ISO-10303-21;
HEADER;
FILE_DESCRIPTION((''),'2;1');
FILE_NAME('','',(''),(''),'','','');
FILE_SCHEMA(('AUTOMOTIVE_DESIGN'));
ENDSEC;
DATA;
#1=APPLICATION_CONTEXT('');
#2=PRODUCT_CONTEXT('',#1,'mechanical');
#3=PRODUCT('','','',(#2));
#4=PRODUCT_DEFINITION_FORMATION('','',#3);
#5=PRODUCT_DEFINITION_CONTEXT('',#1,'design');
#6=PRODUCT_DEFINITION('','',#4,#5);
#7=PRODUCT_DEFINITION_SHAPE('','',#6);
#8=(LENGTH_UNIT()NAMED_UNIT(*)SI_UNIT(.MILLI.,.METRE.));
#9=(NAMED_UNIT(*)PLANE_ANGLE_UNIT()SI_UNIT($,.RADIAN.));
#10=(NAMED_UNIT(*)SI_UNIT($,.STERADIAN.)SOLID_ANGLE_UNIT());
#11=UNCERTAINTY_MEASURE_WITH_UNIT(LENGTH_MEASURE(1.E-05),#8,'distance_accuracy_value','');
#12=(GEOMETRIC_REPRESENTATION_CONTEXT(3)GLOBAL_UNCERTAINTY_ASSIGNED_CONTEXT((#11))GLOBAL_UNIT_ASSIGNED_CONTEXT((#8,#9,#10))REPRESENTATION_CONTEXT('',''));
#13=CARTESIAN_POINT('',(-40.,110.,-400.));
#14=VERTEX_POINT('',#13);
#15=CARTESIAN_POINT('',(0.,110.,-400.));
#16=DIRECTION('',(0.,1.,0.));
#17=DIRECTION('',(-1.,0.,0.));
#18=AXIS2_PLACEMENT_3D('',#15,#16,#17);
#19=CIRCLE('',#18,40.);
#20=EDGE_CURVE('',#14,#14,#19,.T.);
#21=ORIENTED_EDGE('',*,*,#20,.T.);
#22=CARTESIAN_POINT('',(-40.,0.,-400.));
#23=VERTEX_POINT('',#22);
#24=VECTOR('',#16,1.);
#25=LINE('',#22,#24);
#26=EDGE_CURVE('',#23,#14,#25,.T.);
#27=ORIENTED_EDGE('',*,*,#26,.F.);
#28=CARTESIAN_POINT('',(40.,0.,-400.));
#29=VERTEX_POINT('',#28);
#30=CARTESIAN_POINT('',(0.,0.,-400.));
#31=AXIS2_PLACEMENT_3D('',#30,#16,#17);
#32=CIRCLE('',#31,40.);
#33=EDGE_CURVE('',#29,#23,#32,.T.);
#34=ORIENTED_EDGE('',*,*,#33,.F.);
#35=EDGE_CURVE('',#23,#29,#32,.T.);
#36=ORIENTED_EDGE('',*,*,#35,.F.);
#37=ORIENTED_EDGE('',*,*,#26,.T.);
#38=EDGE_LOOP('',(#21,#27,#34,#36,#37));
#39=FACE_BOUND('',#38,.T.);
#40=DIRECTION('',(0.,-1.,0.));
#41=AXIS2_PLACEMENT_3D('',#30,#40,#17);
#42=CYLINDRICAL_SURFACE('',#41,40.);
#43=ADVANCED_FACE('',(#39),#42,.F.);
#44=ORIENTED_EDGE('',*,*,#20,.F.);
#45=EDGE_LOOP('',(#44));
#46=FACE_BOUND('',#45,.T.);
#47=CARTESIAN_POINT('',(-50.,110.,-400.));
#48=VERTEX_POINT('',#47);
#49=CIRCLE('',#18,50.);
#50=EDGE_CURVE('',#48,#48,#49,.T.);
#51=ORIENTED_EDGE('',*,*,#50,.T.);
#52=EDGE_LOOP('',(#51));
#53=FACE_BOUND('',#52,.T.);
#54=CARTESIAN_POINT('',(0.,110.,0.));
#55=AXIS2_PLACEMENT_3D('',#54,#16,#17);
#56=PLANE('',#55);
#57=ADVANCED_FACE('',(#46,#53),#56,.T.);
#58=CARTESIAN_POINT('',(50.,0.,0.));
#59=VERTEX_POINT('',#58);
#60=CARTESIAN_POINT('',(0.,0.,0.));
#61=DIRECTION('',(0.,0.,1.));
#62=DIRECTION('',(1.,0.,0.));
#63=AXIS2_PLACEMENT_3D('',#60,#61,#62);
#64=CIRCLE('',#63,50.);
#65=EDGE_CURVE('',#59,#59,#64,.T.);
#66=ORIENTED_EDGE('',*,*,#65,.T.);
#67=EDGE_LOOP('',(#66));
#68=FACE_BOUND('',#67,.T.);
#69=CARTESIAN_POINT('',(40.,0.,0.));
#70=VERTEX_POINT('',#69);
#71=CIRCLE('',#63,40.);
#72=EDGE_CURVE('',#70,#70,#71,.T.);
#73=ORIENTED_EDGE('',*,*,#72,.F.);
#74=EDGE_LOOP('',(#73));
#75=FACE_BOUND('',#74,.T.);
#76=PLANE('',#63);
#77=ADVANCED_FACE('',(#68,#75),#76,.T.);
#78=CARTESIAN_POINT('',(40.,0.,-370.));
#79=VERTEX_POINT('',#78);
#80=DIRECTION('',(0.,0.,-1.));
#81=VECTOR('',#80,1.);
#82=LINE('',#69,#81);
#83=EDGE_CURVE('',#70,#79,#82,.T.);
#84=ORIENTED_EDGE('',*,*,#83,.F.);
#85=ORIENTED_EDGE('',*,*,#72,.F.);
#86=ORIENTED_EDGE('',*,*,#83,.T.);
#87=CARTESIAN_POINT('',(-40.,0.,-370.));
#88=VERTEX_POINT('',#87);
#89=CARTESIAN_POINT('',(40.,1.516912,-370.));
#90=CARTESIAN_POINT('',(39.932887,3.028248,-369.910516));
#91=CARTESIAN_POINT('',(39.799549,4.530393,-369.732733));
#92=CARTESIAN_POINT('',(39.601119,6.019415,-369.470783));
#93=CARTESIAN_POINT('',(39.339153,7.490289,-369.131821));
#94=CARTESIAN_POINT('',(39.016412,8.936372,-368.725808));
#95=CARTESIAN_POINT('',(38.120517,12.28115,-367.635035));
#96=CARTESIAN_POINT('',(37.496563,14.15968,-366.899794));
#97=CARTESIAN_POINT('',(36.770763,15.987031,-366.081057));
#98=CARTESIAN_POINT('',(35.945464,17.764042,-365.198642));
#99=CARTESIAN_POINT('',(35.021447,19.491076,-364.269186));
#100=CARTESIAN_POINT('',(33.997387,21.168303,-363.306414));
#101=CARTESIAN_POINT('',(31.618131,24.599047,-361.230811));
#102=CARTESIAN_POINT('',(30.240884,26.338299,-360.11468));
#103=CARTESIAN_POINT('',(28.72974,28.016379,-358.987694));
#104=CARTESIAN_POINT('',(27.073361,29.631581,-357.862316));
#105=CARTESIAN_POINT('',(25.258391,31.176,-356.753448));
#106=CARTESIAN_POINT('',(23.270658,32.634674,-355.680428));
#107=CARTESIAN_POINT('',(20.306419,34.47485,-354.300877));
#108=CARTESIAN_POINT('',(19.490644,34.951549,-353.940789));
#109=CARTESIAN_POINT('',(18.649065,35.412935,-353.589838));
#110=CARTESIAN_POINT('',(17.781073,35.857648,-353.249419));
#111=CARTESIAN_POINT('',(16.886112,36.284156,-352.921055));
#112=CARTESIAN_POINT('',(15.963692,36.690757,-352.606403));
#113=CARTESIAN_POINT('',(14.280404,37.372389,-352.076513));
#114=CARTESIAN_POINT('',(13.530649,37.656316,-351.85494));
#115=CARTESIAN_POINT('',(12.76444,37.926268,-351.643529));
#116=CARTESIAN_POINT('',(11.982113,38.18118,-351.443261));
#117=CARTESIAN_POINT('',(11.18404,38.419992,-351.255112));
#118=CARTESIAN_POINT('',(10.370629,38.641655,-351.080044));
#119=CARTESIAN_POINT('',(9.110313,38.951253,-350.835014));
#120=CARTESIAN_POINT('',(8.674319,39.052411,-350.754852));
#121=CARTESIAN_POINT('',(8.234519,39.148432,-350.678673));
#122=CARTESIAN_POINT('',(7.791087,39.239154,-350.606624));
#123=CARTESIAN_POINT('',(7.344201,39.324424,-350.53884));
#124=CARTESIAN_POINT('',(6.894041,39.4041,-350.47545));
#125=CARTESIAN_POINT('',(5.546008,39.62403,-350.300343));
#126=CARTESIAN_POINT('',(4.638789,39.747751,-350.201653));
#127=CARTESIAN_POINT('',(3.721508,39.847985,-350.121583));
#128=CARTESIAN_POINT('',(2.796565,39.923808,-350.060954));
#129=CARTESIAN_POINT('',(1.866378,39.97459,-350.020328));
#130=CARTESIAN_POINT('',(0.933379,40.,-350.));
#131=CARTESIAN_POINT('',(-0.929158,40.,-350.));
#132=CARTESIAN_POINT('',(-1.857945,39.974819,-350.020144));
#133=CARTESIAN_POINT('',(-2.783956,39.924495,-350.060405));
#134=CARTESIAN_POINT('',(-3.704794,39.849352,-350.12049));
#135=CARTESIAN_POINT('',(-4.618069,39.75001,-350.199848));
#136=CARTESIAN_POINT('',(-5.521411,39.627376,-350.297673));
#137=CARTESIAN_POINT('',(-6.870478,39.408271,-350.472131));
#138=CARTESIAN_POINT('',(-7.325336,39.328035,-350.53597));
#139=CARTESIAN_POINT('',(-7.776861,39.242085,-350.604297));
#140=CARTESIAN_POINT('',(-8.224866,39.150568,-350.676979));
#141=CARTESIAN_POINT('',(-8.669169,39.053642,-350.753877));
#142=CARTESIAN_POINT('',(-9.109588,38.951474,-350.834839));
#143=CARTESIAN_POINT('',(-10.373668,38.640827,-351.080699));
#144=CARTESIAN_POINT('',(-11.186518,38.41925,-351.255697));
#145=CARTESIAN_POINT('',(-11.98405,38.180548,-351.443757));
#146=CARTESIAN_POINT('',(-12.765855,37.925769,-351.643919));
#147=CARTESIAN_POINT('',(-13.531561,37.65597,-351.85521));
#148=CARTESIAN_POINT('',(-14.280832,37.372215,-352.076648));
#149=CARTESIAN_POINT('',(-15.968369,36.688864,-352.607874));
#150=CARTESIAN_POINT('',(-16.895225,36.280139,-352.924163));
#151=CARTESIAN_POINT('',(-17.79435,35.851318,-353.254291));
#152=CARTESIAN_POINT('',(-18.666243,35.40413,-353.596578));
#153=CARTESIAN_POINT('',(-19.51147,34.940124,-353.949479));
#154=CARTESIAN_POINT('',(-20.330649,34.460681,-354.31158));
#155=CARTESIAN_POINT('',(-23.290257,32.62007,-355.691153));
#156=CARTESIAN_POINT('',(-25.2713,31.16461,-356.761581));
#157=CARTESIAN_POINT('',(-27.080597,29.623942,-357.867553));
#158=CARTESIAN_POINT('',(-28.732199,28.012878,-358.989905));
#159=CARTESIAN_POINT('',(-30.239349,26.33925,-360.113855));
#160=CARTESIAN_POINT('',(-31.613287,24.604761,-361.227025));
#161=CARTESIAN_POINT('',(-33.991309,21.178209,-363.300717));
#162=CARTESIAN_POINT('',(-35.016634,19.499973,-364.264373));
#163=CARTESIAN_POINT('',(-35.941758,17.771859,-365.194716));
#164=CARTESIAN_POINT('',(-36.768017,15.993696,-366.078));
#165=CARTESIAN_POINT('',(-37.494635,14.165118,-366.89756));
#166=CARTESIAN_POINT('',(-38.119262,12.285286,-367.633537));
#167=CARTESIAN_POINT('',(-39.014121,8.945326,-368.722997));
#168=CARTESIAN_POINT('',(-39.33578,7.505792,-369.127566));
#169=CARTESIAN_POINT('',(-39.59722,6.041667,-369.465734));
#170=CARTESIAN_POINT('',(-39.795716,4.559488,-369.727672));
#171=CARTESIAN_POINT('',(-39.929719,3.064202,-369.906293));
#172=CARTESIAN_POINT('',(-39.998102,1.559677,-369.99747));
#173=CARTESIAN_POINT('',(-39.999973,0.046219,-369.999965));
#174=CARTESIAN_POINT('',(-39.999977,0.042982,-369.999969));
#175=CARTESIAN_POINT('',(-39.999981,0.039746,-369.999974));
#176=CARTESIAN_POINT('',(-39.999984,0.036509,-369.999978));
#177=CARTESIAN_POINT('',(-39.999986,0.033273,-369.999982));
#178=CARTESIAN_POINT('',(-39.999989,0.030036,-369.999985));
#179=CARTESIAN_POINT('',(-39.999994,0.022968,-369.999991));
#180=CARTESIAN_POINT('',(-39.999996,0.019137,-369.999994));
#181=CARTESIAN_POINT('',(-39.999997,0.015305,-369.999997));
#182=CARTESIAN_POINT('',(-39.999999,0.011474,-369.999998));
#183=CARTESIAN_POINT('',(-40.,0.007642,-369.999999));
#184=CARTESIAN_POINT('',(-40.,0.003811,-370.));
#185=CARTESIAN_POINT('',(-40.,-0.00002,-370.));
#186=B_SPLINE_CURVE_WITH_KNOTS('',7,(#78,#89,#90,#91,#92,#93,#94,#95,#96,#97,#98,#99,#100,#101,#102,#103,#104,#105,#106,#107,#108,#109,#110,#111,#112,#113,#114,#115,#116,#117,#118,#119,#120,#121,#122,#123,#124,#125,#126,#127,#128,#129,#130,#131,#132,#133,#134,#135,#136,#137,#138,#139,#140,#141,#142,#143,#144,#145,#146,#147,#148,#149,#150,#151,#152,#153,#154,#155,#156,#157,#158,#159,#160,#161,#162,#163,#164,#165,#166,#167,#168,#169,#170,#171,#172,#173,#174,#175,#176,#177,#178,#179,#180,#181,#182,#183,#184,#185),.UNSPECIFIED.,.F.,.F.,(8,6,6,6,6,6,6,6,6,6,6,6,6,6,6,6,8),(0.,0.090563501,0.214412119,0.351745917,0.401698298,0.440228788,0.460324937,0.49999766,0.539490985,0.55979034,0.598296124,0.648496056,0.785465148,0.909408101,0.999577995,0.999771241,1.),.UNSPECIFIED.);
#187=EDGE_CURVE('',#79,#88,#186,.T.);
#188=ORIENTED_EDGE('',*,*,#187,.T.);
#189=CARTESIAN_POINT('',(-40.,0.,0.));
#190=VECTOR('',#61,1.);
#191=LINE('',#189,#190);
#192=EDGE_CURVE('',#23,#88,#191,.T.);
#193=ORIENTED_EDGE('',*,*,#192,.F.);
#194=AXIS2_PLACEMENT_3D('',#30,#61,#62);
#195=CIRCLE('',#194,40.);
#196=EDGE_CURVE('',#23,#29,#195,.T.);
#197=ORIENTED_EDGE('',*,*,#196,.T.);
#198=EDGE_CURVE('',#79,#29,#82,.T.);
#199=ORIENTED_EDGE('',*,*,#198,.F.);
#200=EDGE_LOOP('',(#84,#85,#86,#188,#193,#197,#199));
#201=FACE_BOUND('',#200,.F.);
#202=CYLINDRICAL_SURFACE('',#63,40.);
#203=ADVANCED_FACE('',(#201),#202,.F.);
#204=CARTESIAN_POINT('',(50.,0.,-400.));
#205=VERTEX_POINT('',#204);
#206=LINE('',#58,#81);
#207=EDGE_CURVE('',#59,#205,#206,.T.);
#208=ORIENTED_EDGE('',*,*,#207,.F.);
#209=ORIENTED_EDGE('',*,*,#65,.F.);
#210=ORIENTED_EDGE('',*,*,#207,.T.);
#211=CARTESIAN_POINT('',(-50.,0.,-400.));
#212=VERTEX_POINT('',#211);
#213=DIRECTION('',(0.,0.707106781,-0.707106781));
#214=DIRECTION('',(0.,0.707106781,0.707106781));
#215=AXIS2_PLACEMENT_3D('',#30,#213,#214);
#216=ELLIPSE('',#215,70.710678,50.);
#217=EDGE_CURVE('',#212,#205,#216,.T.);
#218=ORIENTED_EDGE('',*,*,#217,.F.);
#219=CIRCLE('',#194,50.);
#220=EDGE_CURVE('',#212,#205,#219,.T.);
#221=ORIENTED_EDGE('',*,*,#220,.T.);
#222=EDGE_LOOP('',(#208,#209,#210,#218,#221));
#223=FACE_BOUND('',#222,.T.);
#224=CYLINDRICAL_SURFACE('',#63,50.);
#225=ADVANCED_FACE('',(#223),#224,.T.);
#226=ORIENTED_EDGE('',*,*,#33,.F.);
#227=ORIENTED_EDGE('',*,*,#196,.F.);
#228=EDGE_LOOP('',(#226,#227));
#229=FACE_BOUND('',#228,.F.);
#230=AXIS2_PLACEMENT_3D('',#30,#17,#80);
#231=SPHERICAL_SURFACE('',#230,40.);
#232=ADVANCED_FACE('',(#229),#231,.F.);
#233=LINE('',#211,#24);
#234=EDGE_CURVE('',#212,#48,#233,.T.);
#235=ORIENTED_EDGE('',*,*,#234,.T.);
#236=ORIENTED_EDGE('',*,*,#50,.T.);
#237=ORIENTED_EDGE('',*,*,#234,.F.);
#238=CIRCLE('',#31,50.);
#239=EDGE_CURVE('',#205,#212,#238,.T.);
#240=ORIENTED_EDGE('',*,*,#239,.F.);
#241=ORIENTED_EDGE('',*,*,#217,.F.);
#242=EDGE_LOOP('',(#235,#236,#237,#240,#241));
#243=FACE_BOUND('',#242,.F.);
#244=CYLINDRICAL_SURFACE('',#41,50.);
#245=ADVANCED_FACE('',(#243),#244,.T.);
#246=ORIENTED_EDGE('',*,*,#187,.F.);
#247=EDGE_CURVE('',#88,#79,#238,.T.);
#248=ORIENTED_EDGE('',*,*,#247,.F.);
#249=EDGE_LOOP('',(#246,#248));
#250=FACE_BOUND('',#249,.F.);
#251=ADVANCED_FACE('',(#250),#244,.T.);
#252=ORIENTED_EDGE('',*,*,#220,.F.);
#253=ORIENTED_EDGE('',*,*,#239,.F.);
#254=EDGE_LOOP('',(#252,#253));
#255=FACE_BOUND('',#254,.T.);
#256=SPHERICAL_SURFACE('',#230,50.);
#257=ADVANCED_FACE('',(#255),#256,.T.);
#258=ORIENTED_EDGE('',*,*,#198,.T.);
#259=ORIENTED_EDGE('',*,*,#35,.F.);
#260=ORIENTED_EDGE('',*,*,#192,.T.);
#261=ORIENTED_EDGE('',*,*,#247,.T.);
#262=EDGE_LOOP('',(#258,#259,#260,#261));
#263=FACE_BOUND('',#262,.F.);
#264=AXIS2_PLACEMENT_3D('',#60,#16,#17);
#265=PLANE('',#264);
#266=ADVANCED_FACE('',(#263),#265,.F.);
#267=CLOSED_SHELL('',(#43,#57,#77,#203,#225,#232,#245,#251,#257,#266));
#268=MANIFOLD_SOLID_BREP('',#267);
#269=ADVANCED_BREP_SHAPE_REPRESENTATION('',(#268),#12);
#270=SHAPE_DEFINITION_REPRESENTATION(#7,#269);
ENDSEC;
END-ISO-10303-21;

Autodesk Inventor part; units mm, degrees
sketch "Sketch1" plane through (0, 0, 0) normal (0, 0, 1) x (1, 0, 0)
  circle A0 centre (0, 0) radius 50
  circle A1 centre (0, 0) radius 40
  dimension "d0" = 100
  dimension "d1" = 80
extrude "Extrusion1" add sketch "Sketch1" against normal blind 400
ref_plane "Work Plane1" through (0, 0, -400) normal (0, 0, -1) x (-1, 0, 0)
sketch "Sketch2" plane through (0, 0, -400) normal (0, 0, -1) x (-1, 0, 0)
  circle A0 centre (0, 0) radius 50 projected
  circle A1 centre (0, 0) radius 40 projected
  line L0 (0, 0) -> (0, 50)
sketch "Sketch3" plane through (0, 0, 0) normal (0, 1, 0) x (-1, 0, 0)
  point P0 (0, 0)
sketch "Sketch4" plane through (0, 0, 0) normal (0, 1, 0) x (-1, 0, 0)
  line L0 (70, -400) -> (-70, -400) projected
  line L1 (-50, -400) -> (50, -400) projected
  circle A0 centre (0, -400) radius 40
  circle A1 centre (0, -400) radius 50
  point P0 (0, 0)
  point P1 (40, -400)
  point P2 (-40, -400)
  dimension "d5" = 80
  dimension "d6" = 100
sketch "Sketch6" plane through (0, 0, 0) normal (0, 1, 0) x (-1, 0, 0)
  point P0 (0, 0)
sketch "Sketch7" plane through (0, 0, 0) normal (0, 1, 0) x (-1, 0, 0)
  line L0 (-40, -400) -> (-40, -400) projected
  circle A0 centre (0, -400) radius 40
  line L1 (-50, -400) -> (-50, -400) projected
  circle A1 centre (0, -400) radius 50
  point P0 (0, 0)
  point P1 (50, -400)
  point P2 (40, -400)
ref_plane "Work Plane4" through (50, 0, -400) normal (0, 0.7071, -0.7071) x (-1, 0, 0)
split "Split2" plane through (50, 0, -400) removes the side toward (0, 0.7071, -0.7071)
extrude "Extrusion3" add sketch "Sketch7" along normal blind 110
revolve "Revolution2" add sketch "Sketch4" angle 90 about axis through (0, 0, -400) along (-1, 0, 0) picked at (-46.3464, -403.2515) contours A1 L0 A0
ref_plane "Work Plane5" through (0, 110, -400) normal (0, 1, 0) x (1, 0, 0)
properties part number "Z2" material "Steel, Alloy"
